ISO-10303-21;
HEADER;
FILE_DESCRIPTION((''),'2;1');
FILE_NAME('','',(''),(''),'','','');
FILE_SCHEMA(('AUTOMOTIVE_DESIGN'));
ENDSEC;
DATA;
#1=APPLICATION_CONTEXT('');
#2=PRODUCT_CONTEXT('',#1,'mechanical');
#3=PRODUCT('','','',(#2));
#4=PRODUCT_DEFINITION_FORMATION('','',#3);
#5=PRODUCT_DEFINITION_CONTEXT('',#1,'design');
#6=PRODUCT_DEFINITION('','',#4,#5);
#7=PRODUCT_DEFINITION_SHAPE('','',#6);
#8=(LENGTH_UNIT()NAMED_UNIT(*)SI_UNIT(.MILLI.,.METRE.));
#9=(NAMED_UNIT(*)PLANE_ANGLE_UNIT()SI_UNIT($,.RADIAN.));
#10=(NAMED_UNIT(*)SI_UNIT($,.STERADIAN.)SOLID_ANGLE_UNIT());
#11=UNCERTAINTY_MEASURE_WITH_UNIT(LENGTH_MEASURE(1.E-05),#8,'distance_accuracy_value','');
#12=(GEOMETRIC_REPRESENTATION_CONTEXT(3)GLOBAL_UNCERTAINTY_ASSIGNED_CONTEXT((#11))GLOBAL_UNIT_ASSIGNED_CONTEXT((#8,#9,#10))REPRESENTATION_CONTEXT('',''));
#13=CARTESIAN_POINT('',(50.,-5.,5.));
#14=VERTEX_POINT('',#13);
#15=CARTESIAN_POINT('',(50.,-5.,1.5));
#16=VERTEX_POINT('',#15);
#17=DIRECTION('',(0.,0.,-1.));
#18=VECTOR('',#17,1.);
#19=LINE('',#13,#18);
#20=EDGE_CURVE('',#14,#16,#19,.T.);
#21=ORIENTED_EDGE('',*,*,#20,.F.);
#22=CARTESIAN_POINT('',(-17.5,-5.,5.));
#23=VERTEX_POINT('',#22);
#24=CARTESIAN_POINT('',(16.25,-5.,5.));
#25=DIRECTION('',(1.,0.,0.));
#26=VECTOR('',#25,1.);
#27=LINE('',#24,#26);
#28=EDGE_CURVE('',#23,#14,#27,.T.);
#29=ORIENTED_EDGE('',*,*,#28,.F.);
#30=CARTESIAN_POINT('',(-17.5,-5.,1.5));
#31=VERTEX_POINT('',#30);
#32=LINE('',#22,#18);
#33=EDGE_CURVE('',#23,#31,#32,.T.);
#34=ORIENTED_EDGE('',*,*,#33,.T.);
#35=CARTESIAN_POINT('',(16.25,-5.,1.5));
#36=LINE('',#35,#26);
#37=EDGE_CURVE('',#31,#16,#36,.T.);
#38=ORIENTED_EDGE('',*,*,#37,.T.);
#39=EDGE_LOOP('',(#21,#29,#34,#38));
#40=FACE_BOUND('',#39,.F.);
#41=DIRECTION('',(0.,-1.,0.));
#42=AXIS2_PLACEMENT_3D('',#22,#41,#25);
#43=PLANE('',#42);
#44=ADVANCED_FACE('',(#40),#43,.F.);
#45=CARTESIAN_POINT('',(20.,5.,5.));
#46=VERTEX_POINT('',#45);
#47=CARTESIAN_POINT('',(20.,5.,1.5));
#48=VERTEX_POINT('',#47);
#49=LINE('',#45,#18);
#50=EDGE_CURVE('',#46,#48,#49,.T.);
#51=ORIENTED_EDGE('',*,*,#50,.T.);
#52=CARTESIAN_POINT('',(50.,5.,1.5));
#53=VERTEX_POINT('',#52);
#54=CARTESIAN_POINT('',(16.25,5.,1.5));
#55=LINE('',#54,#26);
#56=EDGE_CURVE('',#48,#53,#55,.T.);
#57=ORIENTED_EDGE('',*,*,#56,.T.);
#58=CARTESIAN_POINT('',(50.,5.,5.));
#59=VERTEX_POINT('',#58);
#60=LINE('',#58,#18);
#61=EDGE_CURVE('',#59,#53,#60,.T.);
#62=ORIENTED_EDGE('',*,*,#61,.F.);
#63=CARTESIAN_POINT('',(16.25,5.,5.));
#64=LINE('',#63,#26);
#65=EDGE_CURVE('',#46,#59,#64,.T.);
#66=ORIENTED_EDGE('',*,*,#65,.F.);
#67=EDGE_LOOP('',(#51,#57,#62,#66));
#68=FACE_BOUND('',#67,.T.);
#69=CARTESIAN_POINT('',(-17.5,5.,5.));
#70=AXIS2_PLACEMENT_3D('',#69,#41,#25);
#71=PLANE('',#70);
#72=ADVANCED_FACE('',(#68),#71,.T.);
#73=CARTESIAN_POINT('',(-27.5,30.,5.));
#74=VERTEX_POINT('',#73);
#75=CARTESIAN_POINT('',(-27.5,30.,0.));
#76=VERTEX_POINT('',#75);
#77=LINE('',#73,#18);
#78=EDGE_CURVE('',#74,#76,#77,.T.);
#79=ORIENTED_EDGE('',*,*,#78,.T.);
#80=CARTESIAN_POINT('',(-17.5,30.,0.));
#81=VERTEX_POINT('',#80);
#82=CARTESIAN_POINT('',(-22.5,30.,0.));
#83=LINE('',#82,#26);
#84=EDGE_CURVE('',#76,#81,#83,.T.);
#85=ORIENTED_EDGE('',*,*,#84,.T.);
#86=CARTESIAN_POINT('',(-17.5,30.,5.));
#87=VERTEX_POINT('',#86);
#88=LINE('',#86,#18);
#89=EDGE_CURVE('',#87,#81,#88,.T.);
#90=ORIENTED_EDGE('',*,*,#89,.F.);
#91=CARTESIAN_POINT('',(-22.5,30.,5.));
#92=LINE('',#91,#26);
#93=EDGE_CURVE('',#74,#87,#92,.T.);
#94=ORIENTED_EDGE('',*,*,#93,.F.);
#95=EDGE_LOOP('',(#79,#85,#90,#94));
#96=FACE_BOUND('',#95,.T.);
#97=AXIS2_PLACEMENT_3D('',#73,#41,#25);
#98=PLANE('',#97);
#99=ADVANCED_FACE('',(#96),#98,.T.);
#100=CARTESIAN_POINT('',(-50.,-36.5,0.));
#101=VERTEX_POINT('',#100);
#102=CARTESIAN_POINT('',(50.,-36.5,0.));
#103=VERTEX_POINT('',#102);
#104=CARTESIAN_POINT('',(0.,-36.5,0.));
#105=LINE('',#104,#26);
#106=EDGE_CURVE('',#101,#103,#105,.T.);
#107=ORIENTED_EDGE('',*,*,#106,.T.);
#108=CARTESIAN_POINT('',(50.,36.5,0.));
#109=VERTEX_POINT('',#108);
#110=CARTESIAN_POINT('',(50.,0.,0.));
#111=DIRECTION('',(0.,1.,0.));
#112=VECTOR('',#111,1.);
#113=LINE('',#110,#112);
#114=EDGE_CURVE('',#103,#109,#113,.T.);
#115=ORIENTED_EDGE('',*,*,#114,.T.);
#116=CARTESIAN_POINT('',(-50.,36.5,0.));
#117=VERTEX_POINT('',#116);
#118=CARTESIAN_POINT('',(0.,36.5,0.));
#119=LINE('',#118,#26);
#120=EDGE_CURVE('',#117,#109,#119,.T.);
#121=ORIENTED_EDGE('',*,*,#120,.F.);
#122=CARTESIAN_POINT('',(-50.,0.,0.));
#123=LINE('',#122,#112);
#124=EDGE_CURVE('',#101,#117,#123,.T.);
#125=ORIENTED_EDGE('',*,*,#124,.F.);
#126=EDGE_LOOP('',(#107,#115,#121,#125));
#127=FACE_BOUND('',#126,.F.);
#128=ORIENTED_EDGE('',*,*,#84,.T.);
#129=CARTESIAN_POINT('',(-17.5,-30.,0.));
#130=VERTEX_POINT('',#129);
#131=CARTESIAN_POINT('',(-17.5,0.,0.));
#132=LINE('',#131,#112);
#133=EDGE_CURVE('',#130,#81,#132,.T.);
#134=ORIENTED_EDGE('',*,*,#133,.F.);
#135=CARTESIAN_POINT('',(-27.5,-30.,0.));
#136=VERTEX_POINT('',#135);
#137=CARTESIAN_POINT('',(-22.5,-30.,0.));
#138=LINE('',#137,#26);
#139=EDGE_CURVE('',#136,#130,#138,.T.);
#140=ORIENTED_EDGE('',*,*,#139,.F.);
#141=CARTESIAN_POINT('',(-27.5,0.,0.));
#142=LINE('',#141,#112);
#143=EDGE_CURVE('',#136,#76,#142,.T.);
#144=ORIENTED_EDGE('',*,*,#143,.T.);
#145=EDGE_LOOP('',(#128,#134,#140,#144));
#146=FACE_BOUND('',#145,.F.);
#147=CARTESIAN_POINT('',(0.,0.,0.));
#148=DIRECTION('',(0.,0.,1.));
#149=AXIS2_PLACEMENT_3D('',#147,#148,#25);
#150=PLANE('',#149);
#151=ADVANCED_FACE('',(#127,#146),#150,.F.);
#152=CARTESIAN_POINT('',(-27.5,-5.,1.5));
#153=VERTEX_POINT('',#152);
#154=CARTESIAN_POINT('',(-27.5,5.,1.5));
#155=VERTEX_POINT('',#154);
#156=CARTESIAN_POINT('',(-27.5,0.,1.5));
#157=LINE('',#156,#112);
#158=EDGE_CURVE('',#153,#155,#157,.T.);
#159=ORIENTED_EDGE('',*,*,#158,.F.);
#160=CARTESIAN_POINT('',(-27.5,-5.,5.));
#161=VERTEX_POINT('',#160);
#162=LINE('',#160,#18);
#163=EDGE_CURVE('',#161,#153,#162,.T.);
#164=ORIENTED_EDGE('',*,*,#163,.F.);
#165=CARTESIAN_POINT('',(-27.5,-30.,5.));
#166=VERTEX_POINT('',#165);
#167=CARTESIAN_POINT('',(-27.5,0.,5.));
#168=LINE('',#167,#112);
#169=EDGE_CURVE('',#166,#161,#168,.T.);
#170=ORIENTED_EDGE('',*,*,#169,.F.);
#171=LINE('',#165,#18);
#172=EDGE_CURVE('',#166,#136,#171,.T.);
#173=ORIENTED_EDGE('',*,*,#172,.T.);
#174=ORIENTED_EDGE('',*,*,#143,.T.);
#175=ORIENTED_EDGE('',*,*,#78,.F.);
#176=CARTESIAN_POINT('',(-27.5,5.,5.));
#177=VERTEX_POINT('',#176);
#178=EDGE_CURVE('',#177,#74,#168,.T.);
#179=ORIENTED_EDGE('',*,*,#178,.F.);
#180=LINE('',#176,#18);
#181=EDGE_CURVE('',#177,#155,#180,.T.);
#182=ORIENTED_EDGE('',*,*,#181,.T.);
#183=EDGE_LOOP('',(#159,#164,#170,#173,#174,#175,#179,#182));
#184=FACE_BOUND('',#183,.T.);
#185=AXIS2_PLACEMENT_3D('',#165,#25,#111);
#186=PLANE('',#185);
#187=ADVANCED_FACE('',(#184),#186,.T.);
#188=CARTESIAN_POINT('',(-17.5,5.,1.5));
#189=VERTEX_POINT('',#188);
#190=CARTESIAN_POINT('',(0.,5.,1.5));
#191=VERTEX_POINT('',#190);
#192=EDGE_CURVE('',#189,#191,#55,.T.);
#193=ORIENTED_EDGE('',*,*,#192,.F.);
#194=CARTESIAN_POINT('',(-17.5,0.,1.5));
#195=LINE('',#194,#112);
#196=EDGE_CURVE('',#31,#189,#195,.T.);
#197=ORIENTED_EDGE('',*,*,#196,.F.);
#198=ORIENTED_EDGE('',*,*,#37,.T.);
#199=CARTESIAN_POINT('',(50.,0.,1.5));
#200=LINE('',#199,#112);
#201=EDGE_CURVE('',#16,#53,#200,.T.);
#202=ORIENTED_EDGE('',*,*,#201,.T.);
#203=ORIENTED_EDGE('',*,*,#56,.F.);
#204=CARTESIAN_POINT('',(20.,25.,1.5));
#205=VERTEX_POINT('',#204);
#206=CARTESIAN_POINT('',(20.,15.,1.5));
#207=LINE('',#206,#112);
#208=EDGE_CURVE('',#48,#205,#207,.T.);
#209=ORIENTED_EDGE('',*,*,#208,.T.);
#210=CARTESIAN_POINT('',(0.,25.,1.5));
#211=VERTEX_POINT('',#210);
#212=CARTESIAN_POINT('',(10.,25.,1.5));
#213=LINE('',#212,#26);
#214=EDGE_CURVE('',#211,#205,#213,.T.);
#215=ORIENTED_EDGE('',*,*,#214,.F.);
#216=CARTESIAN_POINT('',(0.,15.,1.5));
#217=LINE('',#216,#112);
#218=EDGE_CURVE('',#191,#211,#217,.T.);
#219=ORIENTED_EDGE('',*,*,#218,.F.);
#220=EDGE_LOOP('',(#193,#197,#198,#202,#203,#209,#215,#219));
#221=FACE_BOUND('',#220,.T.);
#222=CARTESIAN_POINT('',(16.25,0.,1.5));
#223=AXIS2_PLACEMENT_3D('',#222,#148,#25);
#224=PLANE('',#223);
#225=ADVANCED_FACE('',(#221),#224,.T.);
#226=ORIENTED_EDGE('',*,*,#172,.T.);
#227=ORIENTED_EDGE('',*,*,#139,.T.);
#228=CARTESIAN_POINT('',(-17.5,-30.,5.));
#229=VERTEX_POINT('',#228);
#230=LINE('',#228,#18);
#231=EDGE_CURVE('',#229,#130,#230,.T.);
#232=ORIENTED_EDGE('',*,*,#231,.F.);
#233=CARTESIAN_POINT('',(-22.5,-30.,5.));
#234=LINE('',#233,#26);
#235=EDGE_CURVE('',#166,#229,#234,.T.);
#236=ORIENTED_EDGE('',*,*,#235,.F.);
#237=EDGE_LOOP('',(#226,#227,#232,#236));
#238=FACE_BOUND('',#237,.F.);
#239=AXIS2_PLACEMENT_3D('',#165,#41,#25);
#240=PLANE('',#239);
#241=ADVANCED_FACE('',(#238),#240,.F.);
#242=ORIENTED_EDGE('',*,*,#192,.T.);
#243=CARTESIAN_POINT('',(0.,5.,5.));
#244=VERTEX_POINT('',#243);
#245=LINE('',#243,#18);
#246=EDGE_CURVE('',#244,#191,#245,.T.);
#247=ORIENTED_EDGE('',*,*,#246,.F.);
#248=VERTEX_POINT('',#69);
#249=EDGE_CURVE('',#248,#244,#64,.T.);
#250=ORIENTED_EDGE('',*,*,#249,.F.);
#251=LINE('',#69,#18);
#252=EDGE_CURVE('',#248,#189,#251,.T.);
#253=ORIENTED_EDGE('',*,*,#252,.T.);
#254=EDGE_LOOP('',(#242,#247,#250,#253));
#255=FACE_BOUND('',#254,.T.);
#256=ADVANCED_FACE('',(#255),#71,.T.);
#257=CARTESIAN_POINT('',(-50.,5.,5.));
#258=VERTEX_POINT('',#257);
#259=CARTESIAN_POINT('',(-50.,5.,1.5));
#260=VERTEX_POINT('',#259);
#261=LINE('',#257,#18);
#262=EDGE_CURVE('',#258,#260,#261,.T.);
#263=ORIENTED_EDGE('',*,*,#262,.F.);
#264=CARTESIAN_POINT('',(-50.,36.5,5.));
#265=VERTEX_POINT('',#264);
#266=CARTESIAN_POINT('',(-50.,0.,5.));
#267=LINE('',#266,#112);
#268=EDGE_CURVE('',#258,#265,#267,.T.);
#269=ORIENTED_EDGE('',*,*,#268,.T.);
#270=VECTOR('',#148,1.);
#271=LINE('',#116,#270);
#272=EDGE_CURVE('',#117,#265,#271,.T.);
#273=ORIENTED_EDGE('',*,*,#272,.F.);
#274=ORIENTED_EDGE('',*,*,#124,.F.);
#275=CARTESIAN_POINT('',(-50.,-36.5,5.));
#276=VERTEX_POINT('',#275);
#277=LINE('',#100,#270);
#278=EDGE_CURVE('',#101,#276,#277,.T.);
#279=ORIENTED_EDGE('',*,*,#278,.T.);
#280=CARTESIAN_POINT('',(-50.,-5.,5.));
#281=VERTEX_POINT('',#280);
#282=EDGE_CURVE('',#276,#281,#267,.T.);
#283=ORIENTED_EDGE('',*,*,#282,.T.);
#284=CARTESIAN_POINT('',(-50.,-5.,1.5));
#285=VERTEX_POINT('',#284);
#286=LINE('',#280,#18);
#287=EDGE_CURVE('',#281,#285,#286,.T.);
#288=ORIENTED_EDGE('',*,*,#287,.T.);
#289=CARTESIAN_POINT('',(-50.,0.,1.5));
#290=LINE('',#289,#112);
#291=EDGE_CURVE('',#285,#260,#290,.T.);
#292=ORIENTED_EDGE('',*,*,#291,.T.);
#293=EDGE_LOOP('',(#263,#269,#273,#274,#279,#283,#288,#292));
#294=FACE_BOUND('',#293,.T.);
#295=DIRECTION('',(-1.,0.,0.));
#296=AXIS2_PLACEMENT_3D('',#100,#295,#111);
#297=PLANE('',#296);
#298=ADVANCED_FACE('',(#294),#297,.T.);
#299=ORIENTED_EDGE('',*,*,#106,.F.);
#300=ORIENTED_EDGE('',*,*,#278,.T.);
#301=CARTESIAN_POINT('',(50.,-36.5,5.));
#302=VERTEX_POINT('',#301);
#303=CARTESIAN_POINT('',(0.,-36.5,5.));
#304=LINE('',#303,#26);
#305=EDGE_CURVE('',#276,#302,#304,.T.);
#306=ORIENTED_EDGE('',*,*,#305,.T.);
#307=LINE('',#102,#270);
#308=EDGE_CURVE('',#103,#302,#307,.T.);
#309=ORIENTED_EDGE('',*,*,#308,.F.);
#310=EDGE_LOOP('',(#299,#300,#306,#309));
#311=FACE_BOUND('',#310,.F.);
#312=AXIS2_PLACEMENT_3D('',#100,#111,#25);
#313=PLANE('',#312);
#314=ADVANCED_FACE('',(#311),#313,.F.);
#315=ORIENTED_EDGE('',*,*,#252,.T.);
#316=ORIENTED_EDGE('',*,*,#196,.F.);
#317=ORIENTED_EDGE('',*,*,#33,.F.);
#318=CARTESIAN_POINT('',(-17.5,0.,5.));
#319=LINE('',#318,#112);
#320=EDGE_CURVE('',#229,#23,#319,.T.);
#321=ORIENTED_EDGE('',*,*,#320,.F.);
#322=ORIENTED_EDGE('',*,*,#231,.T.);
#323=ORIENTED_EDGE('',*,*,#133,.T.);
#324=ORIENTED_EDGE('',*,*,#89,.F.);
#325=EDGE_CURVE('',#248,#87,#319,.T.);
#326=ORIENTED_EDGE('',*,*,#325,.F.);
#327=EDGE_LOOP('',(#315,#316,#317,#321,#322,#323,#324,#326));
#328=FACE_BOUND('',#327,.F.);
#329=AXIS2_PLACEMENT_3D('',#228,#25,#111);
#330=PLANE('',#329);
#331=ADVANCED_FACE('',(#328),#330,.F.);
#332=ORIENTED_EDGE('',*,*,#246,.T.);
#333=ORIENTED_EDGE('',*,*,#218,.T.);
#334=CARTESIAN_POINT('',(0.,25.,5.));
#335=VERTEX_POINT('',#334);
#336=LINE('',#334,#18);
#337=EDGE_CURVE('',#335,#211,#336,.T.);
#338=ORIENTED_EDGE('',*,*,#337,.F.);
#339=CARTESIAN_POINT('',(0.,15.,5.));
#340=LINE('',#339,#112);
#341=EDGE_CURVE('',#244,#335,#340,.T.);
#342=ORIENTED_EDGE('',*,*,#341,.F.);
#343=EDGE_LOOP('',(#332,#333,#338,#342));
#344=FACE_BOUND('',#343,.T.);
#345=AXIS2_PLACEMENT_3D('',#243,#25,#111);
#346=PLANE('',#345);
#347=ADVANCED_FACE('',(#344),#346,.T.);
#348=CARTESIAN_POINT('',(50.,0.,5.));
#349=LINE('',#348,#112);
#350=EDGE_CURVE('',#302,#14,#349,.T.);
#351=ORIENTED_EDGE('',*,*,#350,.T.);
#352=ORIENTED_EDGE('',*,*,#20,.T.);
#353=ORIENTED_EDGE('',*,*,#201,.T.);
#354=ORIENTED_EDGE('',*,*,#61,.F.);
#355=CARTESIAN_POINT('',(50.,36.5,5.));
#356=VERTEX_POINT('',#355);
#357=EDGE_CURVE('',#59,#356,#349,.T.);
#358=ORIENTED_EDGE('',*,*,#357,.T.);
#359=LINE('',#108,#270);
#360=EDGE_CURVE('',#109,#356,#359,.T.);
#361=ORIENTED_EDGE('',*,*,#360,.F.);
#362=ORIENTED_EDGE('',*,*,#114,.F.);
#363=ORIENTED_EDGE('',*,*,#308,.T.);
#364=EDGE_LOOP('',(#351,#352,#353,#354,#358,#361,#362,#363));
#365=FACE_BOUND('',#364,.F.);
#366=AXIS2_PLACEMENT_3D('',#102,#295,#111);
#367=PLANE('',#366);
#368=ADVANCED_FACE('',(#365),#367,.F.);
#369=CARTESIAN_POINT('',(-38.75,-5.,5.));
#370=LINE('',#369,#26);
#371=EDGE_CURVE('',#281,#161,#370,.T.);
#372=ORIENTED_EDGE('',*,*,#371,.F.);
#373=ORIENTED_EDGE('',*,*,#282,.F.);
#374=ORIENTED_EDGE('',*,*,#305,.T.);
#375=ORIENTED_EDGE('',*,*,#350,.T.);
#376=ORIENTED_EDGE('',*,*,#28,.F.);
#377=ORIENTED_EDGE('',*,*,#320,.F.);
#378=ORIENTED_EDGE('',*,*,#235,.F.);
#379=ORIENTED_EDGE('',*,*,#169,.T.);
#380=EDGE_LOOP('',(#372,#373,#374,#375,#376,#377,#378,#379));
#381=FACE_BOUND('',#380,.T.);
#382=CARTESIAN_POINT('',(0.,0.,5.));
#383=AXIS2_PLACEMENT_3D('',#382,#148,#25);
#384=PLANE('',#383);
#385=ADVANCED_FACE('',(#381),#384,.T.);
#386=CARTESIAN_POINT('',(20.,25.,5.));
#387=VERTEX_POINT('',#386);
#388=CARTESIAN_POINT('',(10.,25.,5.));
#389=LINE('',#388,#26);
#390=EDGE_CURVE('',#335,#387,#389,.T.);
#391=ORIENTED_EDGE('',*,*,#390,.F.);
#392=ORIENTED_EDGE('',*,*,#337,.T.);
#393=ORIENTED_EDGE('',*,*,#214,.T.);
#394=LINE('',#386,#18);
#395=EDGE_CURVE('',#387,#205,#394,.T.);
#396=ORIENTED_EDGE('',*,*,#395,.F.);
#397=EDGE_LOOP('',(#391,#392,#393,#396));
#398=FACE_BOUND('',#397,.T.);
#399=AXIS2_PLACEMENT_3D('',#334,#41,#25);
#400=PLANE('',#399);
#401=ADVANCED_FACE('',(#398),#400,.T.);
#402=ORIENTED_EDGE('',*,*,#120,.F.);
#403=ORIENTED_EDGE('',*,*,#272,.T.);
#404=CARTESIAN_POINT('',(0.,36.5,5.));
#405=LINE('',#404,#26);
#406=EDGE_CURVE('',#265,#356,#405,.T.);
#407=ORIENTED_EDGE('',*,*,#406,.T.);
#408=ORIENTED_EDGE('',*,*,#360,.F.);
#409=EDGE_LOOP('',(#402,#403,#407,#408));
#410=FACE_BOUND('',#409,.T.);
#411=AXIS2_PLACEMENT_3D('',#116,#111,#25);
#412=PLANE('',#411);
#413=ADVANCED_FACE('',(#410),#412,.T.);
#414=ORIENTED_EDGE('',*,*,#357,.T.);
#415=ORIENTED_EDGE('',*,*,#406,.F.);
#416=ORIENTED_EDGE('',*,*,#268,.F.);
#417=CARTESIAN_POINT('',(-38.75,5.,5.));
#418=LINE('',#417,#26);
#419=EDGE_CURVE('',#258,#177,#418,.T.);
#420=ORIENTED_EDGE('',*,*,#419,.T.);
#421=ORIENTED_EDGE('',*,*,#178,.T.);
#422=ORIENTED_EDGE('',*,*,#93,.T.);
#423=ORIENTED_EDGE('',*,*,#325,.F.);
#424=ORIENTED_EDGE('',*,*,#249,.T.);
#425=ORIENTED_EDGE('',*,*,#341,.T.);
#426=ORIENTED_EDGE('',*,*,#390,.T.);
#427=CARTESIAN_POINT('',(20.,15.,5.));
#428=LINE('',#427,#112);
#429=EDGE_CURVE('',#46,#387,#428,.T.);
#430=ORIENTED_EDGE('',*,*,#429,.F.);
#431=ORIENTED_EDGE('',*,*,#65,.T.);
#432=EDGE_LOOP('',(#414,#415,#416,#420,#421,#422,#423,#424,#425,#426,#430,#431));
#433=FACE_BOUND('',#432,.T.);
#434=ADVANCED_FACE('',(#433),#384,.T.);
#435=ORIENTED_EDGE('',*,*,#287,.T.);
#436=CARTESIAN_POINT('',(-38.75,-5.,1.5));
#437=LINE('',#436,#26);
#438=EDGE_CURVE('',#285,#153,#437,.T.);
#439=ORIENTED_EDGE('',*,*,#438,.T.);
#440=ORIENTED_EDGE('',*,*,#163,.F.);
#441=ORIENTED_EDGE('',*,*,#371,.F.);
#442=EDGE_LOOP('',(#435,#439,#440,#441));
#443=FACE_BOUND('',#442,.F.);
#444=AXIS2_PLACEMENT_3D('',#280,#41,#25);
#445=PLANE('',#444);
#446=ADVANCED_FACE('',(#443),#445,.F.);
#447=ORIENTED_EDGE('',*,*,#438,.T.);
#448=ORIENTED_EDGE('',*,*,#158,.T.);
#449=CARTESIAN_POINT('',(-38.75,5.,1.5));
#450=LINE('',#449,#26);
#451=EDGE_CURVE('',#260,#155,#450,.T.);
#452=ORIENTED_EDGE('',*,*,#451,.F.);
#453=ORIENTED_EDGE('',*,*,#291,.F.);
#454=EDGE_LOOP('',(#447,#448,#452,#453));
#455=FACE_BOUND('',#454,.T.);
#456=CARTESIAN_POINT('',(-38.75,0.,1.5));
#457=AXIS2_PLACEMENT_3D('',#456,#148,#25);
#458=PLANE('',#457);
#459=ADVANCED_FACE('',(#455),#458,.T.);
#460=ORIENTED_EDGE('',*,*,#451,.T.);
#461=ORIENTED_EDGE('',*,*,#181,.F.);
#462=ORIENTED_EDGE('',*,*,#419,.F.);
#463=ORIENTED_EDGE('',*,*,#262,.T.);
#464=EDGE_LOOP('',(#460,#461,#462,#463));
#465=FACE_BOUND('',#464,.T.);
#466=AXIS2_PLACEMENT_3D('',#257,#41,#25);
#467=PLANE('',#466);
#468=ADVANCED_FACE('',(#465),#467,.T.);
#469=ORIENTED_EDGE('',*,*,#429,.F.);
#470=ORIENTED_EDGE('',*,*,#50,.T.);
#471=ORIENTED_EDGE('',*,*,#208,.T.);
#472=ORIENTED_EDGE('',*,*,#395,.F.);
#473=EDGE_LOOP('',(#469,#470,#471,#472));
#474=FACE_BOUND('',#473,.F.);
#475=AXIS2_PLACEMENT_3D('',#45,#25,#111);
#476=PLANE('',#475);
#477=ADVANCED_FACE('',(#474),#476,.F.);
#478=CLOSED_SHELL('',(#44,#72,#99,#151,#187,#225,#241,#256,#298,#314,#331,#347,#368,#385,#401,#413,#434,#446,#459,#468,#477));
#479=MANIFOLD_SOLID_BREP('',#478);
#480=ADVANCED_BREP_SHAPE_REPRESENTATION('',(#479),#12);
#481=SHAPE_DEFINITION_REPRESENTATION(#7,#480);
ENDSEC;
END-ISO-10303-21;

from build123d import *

# Parameters (mm, degrees)
SKETCH_W        = 100
SKETCH_H        = 73
PAD_DEPTH       = 5
SKETCH001_W     = 22.5
SKETCH001_H     = 10
POCKET_DEPTH    = 3.5
SKETCH002_W     = 10
SKETCH002_H     = 60
POCKET001_DEPTH = 5
SKETCH003_W     = 67.5
SKETCH003_H     = 10
POCKET002_DEPTH = 3.5
SKETCH004_W     = 20
SKETCH004_H     = 20
POCKET003_DEPTH = 3.5


with BuildPart() as part:
    # Sketch → Pad (new body)
    with BuildSketch(Plane.XY):
        Rectangle(SKETCH_W, SKETCH_H)
    extrude(amount=PAD_DEPTH)

    # Sketch001 (on Face6 of Pad) → Pocket (cut)
    with BuildSketch(Plane.XY.offset(5)):
        with Locations((-38.75, 0)):
            Rectangle(SKETCH001_W, SKETCH001_H)
    extrude(amount=-POCKET_DEPTH, mode=Mode.SUBTRACT)

    # Sketch002 (on Face5 of Pocket) → Pocket001 (cut)
    with BuildSketch(Plane.XY.offset(5)):
        with Locations((-22.5, 0)):
            Rectangle(SKETCH002_W, SKETCH002_H)
    extrude(amount=-POCKET001_DEPTH, mode=Mode.SUBTRACT)

    # Sketch003 (on Face5 of Pocket001) → Pocket002 (cut)
    with BuildSketch(Plane.XY.offset(5)):
        with Locations((16.25, 0)):
            Rectangle(SKETCH003_W, SKETCH003_H)
    extrude(amount=-POCKET002_DEPTH, mode=Mode.SUBTRACT)

    # Sketch004 (on Face5 of Pocket002) → Pocket003 (cut)
    with BuildSketch(Plane.XY.offset(5)):
        with Locations((10, 15)):
            Rectangle(SKETCH004_W, SKETCH004_H)
    extrude(amount=-POCKET003_DEPTH, mode=Mode.SUBTRACT)


solid = part.part
